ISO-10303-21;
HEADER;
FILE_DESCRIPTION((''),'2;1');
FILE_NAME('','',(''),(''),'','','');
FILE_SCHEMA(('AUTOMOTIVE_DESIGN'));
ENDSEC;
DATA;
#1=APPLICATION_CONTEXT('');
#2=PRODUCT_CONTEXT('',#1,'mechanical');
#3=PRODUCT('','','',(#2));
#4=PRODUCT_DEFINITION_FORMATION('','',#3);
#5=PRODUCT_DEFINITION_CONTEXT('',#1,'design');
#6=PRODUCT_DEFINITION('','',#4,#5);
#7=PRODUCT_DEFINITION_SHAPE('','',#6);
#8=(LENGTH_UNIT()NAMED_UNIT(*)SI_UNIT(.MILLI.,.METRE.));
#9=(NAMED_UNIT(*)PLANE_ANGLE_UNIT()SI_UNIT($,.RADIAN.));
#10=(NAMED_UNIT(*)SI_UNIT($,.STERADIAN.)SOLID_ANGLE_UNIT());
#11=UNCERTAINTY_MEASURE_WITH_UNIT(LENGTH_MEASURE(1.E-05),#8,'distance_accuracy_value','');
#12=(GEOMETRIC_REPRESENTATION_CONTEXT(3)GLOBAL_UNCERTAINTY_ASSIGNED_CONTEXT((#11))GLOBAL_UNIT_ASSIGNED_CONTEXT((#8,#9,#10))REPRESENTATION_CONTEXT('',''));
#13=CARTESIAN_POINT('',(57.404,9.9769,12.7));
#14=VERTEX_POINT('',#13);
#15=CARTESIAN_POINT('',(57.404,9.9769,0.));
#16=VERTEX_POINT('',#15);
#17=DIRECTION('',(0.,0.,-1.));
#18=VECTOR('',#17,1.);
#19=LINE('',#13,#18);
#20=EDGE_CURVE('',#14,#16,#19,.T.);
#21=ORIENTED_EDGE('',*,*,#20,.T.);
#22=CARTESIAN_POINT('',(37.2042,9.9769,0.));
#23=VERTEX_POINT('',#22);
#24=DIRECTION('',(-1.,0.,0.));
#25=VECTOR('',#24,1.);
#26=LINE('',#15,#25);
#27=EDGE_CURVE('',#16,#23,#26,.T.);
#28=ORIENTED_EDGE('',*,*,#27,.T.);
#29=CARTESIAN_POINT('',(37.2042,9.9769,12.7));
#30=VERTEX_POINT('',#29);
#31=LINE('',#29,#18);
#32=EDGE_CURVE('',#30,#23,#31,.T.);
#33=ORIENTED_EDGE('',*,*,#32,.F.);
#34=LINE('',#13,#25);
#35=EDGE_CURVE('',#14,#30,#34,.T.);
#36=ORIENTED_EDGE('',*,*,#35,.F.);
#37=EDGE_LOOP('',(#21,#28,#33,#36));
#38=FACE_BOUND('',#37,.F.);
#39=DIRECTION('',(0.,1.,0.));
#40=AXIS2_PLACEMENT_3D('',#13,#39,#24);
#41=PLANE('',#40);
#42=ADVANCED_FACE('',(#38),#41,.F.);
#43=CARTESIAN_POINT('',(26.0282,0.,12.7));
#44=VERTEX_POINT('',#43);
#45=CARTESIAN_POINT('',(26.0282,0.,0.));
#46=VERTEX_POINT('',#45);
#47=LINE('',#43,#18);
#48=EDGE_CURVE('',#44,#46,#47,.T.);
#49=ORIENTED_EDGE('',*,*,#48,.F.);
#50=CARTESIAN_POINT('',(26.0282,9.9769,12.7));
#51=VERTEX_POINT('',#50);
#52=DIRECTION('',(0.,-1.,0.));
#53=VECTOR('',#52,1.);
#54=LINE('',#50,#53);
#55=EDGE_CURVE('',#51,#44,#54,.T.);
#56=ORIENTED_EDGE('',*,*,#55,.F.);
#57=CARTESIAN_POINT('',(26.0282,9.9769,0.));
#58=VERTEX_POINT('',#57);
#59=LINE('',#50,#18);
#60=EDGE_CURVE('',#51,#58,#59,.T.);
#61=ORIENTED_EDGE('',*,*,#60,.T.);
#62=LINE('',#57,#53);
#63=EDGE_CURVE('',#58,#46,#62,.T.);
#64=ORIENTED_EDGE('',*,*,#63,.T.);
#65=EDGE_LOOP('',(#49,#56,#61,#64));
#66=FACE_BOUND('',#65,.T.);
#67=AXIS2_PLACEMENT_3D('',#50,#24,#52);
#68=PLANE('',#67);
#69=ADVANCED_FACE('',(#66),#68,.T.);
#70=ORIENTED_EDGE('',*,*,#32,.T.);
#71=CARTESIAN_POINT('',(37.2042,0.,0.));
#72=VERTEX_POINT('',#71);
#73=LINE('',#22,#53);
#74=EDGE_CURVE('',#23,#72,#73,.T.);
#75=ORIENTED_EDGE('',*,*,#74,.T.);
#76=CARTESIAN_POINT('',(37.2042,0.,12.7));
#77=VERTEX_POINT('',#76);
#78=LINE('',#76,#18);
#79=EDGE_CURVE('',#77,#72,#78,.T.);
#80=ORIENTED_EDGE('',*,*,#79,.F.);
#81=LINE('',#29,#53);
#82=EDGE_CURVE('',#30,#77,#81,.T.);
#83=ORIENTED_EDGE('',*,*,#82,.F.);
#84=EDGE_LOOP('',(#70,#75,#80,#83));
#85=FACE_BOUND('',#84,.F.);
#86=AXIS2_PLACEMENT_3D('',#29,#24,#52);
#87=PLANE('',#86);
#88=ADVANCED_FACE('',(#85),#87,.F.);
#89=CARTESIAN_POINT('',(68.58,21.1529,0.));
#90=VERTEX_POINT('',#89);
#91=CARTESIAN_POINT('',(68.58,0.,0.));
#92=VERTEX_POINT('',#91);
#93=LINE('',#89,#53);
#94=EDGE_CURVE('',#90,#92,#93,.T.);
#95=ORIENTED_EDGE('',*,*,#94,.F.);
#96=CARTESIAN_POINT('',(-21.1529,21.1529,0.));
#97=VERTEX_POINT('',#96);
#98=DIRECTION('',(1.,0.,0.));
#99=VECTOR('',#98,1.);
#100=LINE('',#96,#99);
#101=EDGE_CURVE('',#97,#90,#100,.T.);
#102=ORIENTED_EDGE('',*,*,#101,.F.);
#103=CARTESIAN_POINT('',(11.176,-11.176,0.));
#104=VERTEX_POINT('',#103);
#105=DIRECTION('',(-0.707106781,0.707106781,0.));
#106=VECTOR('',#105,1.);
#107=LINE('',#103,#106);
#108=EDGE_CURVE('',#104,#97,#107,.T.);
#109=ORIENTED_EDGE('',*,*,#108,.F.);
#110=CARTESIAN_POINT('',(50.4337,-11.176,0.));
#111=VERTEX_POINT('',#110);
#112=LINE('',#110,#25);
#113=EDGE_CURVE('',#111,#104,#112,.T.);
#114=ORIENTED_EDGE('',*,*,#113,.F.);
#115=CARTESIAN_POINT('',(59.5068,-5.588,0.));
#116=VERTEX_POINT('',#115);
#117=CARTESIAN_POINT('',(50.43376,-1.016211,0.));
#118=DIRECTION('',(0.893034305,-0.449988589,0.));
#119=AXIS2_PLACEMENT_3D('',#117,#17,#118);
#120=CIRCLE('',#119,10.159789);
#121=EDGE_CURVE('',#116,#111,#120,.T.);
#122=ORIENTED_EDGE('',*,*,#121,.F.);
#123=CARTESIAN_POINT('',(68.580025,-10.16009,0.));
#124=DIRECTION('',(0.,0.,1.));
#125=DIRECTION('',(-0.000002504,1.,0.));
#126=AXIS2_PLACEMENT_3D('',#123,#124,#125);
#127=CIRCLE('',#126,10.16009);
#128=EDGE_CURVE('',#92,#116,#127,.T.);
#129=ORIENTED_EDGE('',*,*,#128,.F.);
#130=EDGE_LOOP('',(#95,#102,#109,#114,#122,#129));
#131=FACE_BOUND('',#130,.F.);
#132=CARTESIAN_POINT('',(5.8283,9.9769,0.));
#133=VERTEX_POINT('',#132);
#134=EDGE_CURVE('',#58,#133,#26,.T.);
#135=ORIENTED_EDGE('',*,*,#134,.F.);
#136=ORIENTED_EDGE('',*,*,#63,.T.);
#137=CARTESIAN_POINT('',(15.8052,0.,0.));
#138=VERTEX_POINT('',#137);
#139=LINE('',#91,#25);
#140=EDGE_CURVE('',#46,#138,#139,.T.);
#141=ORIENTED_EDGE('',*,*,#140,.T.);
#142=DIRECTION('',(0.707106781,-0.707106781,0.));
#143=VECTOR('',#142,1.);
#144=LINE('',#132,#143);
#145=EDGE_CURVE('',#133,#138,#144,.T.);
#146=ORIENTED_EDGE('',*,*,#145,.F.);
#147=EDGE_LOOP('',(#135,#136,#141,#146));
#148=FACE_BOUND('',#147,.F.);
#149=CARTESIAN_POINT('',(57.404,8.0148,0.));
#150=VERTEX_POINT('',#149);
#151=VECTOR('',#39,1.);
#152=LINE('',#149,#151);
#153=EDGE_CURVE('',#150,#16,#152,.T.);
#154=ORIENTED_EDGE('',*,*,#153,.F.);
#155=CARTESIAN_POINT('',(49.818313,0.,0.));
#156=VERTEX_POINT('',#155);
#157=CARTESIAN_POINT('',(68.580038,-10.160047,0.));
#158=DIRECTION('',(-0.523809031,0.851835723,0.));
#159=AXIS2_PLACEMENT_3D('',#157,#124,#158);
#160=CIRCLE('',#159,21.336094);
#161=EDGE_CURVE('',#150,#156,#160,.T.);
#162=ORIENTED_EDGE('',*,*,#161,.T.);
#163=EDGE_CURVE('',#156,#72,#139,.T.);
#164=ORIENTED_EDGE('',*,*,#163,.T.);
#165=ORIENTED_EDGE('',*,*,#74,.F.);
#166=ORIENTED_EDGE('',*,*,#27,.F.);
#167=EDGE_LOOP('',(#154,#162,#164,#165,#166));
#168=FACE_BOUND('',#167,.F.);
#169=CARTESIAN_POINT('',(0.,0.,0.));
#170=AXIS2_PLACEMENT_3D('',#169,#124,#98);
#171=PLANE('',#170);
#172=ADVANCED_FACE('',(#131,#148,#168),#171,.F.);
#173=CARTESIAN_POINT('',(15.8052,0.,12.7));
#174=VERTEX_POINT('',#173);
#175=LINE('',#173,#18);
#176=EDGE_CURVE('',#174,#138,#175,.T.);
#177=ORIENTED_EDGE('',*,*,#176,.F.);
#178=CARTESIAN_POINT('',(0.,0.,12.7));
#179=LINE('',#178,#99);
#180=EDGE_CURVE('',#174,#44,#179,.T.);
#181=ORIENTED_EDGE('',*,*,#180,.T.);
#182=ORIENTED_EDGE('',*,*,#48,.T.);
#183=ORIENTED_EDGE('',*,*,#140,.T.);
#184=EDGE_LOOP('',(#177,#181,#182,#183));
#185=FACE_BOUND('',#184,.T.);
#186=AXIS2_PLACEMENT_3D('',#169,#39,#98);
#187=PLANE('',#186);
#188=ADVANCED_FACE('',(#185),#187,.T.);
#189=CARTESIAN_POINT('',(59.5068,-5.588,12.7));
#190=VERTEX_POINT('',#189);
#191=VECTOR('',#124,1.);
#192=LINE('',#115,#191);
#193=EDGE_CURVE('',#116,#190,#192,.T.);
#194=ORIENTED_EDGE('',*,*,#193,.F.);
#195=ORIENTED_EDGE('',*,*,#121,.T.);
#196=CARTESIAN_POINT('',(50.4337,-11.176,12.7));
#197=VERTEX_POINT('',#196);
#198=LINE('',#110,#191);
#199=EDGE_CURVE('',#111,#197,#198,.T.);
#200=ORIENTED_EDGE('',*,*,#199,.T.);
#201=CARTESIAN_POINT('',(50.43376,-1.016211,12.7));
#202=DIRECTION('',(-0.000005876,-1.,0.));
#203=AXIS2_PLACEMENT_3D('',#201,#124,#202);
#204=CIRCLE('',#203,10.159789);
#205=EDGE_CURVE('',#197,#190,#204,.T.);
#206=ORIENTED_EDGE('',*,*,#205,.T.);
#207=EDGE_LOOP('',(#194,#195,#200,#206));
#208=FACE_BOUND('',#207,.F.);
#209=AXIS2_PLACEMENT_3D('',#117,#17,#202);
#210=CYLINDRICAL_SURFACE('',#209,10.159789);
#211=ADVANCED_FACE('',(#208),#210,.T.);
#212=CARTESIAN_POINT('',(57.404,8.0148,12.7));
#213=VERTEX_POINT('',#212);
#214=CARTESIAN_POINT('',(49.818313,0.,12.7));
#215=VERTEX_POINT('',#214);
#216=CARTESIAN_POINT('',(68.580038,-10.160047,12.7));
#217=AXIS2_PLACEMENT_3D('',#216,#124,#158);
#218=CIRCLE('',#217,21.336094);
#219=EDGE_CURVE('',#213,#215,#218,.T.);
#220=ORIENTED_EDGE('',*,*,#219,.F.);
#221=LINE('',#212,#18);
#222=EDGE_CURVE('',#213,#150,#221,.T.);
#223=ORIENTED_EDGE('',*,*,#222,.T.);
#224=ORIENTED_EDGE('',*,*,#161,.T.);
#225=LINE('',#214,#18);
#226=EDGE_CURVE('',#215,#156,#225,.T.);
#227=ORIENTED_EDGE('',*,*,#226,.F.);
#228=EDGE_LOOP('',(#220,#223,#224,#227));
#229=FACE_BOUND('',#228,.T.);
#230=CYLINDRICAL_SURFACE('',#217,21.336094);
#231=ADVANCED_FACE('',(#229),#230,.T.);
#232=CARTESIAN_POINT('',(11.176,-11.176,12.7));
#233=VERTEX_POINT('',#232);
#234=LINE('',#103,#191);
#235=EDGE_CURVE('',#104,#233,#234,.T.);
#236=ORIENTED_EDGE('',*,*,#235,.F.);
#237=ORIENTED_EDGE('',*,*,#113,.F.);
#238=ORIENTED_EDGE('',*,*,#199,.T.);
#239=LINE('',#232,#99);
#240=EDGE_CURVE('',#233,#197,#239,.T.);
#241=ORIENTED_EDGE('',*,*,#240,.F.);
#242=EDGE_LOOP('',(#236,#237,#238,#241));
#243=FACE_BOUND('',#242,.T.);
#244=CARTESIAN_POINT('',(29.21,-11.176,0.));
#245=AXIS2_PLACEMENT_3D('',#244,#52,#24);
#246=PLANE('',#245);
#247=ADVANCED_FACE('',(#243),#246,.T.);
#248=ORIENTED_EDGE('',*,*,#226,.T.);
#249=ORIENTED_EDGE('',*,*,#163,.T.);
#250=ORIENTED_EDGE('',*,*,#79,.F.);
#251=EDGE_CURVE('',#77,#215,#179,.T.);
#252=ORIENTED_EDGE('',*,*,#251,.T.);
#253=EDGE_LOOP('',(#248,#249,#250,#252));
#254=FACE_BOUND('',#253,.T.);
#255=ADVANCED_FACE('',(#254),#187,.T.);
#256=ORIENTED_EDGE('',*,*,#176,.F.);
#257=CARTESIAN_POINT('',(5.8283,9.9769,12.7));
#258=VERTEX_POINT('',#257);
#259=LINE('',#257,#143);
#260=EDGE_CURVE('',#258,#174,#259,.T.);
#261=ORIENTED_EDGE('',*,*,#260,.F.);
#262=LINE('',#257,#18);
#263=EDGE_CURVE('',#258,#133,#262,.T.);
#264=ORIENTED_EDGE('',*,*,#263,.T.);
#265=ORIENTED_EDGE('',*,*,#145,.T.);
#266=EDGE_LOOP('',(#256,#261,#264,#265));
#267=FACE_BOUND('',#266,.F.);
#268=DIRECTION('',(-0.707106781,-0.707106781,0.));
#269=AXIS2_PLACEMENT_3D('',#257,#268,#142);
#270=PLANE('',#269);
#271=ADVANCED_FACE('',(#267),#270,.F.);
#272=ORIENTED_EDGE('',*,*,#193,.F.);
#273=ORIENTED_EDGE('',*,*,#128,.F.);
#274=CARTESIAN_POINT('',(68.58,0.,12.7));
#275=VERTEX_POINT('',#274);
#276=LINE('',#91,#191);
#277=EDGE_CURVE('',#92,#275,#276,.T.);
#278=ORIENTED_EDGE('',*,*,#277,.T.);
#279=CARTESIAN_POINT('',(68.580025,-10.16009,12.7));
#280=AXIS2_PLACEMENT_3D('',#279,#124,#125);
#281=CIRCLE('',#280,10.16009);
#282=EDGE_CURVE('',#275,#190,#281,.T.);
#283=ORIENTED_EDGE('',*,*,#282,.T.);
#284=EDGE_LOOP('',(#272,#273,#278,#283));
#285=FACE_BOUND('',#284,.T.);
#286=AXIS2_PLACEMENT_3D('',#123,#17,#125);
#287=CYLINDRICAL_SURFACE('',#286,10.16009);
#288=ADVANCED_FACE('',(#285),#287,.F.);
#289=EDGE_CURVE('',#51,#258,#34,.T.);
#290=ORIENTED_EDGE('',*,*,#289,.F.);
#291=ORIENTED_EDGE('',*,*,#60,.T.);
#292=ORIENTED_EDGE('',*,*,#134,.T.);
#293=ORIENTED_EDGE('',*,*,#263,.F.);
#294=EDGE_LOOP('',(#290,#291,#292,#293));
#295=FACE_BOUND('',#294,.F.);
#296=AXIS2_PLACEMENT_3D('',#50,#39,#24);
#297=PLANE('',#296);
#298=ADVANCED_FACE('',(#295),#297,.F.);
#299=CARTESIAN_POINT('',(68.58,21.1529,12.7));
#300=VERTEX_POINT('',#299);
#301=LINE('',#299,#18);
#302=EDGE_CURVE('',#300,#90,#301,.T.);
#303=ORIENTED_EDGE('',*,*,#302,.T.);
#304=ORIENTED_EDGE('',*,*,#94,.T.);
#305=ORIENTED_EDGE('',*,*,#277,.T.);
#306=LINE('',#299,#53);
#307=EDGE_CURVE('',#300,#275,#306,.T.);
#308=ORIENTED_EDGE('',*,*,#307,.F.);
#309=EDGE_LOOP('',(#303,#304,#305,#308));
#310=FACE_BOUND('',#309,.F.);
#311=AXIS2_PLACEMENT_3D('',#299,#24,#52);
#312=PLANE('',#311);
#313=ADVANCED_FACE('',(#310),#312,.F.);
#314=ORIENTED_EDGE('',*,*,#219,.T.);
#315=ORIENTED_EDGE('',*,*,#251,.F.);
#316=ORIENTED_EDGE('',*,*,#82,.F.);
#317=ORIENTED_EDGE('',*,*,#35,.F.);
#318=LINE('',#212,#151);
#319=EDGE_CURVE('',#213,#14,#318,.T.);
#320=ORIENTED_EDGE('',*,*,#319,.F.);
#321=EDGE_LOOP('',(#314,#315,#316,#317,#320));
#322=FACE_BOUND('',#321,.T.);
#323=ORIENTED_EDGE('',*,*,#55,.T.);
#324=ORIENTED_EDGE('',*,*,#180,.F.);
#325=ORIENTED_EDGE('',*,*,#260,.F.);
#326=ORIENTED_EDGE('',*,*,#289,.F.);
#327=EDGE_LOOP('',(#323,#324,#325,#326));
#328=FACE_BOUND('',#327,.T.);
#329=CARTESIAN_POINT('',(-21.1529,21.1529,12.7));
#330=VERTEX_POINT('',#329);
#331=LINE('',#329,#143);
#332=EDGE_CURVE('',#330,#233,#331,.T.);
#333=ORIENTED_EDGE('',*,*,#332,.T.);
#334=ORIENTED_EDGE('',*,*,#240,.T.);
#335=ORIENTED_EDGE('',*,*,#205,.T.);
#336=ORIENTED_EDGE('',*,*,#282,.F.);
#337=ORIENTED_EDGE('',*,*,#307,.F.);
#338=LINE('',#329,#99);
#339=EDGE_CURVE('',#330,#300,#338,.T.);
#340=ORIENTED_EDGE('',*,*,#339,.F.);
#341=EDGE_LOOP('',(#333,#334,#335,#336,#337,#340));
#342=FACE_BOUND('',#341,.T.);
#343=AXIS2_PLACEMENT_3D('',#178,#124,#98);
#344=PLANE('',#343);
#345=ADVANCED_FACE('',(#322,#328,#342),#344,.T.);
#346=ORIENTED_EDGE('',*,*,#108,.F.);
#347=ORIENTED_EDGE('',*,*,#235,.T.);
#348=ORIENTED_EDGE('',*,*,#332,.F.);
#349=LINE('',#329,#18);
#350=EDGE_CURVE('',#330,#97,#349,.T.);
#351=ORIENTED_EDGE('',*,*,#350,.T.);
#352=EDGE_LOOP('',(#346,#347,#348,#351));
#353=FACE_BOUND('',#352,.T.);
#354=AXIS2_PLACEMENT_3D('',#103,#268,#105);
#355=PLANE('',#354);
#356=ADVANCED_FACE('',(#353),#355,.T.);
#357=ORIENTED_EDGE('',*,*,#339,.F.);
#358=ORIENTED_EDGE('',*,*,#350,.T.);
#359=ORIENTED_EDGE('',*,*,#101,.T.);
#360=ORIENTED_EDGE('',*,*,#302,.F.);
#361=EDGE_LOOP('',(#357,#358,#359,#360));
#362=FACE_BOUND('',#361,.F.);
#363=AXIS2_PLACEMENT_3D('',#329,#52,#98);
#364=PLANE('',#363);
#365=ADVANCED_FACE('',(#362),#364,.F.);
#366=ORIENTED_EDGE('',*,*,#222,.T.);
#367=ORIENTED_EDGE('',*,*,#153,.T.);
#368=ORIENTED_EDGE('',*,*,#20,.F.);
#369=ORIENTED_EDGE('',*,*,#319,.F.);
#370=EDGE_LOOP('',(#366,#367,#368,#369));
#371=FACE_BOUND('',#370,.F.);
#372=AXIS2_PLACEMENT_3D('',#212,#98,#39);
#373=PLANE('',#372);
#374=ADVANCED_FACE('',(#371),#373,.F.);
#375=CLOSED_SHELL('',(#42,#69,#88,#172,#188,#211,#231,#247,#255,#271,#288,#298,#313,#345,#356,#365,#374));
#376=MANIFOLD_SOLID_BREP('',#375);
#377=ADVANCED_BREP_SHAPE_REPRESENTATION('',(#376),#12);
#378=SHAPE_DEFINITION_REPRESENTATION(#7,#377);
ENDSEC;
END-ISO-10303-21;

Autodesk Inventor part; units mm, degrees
ref_plane "YZ Plane" through (0, 0, 0) normal (1, 0, 0) x (0, 1, 0)
ref_plane "XZ Plane" through (0, 0, 0) normal (0, 1, 0) x (-1, 0, 0)
ref_plane "XY Plane" through (0, 0, 0) normal (0, 0, 1) x (1, 0, 0)
sketch "Sketch1" plane through (0, 0, 0) normal (0, 0, 1) x (1, 0, 0)
  line L0 (0, 0) -> (58.42, 0)
  line L1 (29.21, 0) -> (29.21, -11.176)
  line L2 (0, 0) -> (29.21, 0)
  line L3 (29.21, 0) -> (29.21, -11.176)
  line L4 (29.21, -11.176) -> (0, -11.176)
  line L5 (0, -11.176) -> (0, 0)
  line L6 (0, -11.176) -> (11.176, -11.176)
  line L7 (11.176, -11.176) -> (0, 0)
  line L8 (59.055, 0) -> (29.21, 0)
  line L9 (29.21, 0) -> (29.21, -11.176)
  line L10 (58.42, 0) -> (29.21, 0)
  line L11 (29.21, 0) -> (29.21, -11.176)
  line L12 (29.21, -11.176) -> (50.4337, -11.176)
  line L13 (58.42, -11.176) -> (58.42, -10.16)
  line L14 (58.42, -11.176) -> (90.1357, -11.176)
  line L15 (90.1357, -11.176) -> (90.1357, 0)
  line L16 (90.1357, 0) -> (68.58, 0)
  line L17 (58.42, 0) -> (58.42, -11.176)
  arc A0 (68.58, 0) -> (59.5068, -5.588) centre (68.58, -10.16) ccw
  arc A1 (50.4337, -11.176) -> (59.5068, -5.588) centre (50.4337, -1.016) ccw
  line L18 (58.42, 0) -> (68.58, 0)
  point P0 (58.42, -7.2964)
  dimension "d1" = 11.176
  dimension "d2" = 11.176
  dimension "d3" = 10.16
  dimension "d6" = 68.58
  dimension "d7" = 10.16
extrude "Extrusion1" add sketch "Sketch1" along normal blind 12.7 contours L0 L1 L4 L7 | L0 L17 A1 L12 L1 | L8 L18 A0 A1 L17
sketch "Sketch2" plane through (0, 0, 12.7) normal (0, 0, 1) x (1, 0, 0)
  line L0 (11.176, -11.176) -> (50.4337, -11.176) projected
  line L1 (11.176, -11.176) -> (-21.1529, 21.1529)
  line L2 (0, 0) -> (11.176, -11.176) projected
  line L3 (-21.1529, 21.1529) -> (68.58, 21.1529)
  arc A0 (68.58, 0) -> (59.5068, -5.588) centre (68.58, -10.16) ccw projected
  line L4 (68.58, 21.1529) -> (68.58, 0)
  arc A1 (57.404, 8.0148) -> (49.5263, -0.5588) centre (68.58, -10.16) ccw
  line L5 (57.404, 8.0148) -> (57.404, 9.9769)
  line L6 (57.404, 9.9769) -> (5.8283, 9.9769)
  line L7 (5.8283, 9.9769) -> (19.0786, -3.2734)
  line L8 (31.6162, 9.9769) -> (31.6162, 0)
  line L9 (68.58, 0) -> (0, 0) projected
  line L10 (26.0282, 9.9769) -> (26.0282, 0)
  line L11 (37.2042, 9.9769) -> (37.2042, 0)
  point P0 (15.8053, 0)
  point P1 (26.0282, 0)
  point P2 (37.2042, 0)
  point P3 (49.8184, 0)
  dimension "d9" = 45.72
  dimension "d10" = 11.176
  dimension "d11" = 5.588
  dimension "d12" = 5.588
extrude "Extrusion2" add sketch "Sketch2" against normal blind 12.7 contours L1 L3 L4 L9 A1 L5 L6 L7 | L10 L6 L8 L9 | L8 L6 L11 L9
properties part number "HuskyContainerGroove2D"
